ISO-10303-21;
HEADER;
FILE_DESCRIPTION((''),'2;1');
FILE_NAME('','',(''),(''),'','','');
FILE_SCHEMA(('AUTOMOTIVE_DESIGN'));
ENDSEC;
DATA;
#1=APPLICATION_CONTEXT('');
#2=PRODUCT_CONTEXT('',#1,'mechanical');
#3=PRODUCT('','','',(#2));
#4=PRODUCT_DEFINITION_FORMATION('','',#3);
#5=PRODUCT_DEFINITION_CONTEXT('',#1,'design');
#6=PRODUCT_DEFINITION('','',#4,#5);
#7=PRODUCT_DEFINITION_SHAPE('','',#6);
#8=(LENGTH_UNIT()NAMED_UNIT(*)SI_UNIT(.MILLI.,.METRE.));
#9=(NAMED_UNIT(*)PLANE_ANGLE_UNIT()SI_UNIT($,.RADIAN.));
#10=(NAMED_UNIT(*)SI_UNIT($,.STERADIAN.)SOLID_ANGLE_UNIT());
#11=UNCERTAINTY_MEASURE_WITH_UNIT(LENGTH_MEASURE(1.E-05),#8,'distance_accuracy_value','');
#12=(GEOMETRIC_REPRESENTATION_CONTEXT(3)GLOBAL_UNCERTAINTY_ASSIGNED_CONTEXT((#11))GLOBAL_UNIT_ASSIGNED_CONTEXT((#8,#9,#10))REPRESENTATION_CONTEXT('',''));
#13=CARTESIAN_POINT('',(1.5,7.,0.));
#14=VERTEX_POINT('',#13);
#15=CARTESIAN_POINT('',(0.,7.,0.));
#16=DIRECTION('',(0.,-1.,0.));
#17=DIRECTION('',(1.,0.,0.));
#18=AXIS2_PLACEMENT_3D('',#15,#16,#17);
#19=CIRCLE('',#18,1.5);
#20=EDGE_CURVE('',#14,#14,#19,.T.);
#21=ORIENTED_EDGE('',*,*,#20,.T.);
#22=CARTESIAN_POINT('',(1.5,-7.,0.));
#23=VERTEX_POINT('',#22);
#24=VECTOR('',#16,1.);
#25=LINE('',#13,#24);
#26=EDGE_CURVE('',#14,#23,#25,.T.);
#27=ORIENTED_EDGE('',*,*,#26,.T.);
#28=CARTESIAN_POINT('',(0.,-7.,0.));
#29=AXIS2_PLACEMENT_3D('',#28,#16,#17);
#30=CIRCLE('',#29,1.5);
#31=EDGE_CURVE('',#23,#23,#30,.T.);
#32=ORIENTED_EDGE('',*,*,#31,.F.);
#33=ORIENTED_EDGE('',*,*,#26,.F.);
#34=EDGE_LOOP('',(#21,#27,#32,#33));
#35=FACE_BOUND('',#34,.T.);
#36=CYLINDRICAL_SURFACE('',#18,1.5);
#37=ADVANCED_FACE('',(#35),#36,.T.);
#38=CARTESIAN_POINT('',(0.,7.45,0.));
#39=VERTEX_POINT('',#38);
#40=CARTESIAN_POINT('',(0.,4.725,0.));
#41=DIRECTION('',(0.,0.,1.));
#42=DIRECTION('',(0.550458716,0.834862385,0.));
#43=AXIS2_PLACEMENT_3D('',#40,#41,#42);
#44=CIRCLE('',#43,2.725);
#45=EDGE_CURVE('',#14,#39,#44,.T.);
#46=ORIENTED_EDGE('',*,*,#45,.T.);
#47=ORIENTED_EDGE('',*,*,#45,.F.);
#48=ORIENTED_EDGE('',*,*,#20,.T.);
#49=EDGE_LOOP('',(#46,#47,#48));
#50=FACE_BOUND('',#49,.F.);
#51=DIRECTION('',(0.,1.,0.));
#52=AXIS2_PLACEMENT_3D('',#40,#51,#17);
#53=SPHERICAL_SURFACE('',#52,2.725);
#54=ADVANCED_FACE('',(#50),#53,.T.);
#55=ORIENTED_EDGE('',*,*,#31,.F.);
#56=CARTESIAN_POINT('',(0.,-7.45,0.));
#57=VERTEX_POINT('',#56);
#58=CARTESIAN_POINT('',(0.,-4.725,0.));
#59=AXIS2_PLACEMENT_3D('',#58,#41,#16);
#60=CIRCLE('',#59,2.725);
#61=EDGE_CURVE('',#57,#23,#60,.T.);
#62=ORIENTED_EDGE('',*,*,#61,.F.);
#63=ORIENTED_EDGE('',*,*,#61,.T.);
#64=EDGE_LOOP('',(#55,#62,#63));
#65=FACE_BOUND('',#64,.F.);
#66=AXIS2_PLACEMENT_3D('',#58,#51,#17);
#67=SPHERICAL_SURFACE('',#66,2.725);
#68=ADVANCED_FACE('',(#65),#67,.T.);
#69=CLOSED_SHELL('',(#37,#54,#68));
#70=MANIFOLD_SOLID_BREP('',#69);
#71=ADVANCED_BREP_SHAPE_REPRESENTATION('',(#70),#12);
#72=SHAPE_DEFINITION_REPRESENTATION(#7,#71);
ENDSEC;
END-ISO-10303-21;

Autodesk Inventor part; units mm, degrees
ref_plane "YZ Plane" through (0, 0, 0) normal (1, 0, 0) x (0, 1, 0)
ref_plane "XZ Plane" through (0, 0, 0) normal (0, 1, 0) x (-1, 0, 0)
ref_plane "XY Plane" through (0, 0, 0) normal (0, 0, 1) x (1, 0, 0)
sketch "Body Revolution Profile" plane through (0, 0, 0) normal (0, 0, 1) x (1, 0, 0)
  line L0 (0, 7.45) -> (0, -7.45)
  line L1 (1.5, 7) -> (1.5, -7)
  arc A0 (1.5, 7) -> (0, 7.45) centre (0, 4.725) ccw
  arc A1 (0, -7.45) -> (1.5, -7) centre (0, -4.725) ccw
  point P0 (0, 0)
  dimension "d0" = 14
  dimension "d1" = 0.45
  dimension "d2" = 0.45
  dimension "d3" = 7
  dimension "d4" = 0
  dimension "d5" = 1.5
revolve "Body" add sketch "Body Revolution Profile" angle 360 about axis through (0, 7.45, 0) along (0, -1, 0)
equation "\"d2\" = d1"
equation "\"d3\" = 0.5 * d0"
properties part number "P1207.030-014" material "Stainless Steel AISI 317"
